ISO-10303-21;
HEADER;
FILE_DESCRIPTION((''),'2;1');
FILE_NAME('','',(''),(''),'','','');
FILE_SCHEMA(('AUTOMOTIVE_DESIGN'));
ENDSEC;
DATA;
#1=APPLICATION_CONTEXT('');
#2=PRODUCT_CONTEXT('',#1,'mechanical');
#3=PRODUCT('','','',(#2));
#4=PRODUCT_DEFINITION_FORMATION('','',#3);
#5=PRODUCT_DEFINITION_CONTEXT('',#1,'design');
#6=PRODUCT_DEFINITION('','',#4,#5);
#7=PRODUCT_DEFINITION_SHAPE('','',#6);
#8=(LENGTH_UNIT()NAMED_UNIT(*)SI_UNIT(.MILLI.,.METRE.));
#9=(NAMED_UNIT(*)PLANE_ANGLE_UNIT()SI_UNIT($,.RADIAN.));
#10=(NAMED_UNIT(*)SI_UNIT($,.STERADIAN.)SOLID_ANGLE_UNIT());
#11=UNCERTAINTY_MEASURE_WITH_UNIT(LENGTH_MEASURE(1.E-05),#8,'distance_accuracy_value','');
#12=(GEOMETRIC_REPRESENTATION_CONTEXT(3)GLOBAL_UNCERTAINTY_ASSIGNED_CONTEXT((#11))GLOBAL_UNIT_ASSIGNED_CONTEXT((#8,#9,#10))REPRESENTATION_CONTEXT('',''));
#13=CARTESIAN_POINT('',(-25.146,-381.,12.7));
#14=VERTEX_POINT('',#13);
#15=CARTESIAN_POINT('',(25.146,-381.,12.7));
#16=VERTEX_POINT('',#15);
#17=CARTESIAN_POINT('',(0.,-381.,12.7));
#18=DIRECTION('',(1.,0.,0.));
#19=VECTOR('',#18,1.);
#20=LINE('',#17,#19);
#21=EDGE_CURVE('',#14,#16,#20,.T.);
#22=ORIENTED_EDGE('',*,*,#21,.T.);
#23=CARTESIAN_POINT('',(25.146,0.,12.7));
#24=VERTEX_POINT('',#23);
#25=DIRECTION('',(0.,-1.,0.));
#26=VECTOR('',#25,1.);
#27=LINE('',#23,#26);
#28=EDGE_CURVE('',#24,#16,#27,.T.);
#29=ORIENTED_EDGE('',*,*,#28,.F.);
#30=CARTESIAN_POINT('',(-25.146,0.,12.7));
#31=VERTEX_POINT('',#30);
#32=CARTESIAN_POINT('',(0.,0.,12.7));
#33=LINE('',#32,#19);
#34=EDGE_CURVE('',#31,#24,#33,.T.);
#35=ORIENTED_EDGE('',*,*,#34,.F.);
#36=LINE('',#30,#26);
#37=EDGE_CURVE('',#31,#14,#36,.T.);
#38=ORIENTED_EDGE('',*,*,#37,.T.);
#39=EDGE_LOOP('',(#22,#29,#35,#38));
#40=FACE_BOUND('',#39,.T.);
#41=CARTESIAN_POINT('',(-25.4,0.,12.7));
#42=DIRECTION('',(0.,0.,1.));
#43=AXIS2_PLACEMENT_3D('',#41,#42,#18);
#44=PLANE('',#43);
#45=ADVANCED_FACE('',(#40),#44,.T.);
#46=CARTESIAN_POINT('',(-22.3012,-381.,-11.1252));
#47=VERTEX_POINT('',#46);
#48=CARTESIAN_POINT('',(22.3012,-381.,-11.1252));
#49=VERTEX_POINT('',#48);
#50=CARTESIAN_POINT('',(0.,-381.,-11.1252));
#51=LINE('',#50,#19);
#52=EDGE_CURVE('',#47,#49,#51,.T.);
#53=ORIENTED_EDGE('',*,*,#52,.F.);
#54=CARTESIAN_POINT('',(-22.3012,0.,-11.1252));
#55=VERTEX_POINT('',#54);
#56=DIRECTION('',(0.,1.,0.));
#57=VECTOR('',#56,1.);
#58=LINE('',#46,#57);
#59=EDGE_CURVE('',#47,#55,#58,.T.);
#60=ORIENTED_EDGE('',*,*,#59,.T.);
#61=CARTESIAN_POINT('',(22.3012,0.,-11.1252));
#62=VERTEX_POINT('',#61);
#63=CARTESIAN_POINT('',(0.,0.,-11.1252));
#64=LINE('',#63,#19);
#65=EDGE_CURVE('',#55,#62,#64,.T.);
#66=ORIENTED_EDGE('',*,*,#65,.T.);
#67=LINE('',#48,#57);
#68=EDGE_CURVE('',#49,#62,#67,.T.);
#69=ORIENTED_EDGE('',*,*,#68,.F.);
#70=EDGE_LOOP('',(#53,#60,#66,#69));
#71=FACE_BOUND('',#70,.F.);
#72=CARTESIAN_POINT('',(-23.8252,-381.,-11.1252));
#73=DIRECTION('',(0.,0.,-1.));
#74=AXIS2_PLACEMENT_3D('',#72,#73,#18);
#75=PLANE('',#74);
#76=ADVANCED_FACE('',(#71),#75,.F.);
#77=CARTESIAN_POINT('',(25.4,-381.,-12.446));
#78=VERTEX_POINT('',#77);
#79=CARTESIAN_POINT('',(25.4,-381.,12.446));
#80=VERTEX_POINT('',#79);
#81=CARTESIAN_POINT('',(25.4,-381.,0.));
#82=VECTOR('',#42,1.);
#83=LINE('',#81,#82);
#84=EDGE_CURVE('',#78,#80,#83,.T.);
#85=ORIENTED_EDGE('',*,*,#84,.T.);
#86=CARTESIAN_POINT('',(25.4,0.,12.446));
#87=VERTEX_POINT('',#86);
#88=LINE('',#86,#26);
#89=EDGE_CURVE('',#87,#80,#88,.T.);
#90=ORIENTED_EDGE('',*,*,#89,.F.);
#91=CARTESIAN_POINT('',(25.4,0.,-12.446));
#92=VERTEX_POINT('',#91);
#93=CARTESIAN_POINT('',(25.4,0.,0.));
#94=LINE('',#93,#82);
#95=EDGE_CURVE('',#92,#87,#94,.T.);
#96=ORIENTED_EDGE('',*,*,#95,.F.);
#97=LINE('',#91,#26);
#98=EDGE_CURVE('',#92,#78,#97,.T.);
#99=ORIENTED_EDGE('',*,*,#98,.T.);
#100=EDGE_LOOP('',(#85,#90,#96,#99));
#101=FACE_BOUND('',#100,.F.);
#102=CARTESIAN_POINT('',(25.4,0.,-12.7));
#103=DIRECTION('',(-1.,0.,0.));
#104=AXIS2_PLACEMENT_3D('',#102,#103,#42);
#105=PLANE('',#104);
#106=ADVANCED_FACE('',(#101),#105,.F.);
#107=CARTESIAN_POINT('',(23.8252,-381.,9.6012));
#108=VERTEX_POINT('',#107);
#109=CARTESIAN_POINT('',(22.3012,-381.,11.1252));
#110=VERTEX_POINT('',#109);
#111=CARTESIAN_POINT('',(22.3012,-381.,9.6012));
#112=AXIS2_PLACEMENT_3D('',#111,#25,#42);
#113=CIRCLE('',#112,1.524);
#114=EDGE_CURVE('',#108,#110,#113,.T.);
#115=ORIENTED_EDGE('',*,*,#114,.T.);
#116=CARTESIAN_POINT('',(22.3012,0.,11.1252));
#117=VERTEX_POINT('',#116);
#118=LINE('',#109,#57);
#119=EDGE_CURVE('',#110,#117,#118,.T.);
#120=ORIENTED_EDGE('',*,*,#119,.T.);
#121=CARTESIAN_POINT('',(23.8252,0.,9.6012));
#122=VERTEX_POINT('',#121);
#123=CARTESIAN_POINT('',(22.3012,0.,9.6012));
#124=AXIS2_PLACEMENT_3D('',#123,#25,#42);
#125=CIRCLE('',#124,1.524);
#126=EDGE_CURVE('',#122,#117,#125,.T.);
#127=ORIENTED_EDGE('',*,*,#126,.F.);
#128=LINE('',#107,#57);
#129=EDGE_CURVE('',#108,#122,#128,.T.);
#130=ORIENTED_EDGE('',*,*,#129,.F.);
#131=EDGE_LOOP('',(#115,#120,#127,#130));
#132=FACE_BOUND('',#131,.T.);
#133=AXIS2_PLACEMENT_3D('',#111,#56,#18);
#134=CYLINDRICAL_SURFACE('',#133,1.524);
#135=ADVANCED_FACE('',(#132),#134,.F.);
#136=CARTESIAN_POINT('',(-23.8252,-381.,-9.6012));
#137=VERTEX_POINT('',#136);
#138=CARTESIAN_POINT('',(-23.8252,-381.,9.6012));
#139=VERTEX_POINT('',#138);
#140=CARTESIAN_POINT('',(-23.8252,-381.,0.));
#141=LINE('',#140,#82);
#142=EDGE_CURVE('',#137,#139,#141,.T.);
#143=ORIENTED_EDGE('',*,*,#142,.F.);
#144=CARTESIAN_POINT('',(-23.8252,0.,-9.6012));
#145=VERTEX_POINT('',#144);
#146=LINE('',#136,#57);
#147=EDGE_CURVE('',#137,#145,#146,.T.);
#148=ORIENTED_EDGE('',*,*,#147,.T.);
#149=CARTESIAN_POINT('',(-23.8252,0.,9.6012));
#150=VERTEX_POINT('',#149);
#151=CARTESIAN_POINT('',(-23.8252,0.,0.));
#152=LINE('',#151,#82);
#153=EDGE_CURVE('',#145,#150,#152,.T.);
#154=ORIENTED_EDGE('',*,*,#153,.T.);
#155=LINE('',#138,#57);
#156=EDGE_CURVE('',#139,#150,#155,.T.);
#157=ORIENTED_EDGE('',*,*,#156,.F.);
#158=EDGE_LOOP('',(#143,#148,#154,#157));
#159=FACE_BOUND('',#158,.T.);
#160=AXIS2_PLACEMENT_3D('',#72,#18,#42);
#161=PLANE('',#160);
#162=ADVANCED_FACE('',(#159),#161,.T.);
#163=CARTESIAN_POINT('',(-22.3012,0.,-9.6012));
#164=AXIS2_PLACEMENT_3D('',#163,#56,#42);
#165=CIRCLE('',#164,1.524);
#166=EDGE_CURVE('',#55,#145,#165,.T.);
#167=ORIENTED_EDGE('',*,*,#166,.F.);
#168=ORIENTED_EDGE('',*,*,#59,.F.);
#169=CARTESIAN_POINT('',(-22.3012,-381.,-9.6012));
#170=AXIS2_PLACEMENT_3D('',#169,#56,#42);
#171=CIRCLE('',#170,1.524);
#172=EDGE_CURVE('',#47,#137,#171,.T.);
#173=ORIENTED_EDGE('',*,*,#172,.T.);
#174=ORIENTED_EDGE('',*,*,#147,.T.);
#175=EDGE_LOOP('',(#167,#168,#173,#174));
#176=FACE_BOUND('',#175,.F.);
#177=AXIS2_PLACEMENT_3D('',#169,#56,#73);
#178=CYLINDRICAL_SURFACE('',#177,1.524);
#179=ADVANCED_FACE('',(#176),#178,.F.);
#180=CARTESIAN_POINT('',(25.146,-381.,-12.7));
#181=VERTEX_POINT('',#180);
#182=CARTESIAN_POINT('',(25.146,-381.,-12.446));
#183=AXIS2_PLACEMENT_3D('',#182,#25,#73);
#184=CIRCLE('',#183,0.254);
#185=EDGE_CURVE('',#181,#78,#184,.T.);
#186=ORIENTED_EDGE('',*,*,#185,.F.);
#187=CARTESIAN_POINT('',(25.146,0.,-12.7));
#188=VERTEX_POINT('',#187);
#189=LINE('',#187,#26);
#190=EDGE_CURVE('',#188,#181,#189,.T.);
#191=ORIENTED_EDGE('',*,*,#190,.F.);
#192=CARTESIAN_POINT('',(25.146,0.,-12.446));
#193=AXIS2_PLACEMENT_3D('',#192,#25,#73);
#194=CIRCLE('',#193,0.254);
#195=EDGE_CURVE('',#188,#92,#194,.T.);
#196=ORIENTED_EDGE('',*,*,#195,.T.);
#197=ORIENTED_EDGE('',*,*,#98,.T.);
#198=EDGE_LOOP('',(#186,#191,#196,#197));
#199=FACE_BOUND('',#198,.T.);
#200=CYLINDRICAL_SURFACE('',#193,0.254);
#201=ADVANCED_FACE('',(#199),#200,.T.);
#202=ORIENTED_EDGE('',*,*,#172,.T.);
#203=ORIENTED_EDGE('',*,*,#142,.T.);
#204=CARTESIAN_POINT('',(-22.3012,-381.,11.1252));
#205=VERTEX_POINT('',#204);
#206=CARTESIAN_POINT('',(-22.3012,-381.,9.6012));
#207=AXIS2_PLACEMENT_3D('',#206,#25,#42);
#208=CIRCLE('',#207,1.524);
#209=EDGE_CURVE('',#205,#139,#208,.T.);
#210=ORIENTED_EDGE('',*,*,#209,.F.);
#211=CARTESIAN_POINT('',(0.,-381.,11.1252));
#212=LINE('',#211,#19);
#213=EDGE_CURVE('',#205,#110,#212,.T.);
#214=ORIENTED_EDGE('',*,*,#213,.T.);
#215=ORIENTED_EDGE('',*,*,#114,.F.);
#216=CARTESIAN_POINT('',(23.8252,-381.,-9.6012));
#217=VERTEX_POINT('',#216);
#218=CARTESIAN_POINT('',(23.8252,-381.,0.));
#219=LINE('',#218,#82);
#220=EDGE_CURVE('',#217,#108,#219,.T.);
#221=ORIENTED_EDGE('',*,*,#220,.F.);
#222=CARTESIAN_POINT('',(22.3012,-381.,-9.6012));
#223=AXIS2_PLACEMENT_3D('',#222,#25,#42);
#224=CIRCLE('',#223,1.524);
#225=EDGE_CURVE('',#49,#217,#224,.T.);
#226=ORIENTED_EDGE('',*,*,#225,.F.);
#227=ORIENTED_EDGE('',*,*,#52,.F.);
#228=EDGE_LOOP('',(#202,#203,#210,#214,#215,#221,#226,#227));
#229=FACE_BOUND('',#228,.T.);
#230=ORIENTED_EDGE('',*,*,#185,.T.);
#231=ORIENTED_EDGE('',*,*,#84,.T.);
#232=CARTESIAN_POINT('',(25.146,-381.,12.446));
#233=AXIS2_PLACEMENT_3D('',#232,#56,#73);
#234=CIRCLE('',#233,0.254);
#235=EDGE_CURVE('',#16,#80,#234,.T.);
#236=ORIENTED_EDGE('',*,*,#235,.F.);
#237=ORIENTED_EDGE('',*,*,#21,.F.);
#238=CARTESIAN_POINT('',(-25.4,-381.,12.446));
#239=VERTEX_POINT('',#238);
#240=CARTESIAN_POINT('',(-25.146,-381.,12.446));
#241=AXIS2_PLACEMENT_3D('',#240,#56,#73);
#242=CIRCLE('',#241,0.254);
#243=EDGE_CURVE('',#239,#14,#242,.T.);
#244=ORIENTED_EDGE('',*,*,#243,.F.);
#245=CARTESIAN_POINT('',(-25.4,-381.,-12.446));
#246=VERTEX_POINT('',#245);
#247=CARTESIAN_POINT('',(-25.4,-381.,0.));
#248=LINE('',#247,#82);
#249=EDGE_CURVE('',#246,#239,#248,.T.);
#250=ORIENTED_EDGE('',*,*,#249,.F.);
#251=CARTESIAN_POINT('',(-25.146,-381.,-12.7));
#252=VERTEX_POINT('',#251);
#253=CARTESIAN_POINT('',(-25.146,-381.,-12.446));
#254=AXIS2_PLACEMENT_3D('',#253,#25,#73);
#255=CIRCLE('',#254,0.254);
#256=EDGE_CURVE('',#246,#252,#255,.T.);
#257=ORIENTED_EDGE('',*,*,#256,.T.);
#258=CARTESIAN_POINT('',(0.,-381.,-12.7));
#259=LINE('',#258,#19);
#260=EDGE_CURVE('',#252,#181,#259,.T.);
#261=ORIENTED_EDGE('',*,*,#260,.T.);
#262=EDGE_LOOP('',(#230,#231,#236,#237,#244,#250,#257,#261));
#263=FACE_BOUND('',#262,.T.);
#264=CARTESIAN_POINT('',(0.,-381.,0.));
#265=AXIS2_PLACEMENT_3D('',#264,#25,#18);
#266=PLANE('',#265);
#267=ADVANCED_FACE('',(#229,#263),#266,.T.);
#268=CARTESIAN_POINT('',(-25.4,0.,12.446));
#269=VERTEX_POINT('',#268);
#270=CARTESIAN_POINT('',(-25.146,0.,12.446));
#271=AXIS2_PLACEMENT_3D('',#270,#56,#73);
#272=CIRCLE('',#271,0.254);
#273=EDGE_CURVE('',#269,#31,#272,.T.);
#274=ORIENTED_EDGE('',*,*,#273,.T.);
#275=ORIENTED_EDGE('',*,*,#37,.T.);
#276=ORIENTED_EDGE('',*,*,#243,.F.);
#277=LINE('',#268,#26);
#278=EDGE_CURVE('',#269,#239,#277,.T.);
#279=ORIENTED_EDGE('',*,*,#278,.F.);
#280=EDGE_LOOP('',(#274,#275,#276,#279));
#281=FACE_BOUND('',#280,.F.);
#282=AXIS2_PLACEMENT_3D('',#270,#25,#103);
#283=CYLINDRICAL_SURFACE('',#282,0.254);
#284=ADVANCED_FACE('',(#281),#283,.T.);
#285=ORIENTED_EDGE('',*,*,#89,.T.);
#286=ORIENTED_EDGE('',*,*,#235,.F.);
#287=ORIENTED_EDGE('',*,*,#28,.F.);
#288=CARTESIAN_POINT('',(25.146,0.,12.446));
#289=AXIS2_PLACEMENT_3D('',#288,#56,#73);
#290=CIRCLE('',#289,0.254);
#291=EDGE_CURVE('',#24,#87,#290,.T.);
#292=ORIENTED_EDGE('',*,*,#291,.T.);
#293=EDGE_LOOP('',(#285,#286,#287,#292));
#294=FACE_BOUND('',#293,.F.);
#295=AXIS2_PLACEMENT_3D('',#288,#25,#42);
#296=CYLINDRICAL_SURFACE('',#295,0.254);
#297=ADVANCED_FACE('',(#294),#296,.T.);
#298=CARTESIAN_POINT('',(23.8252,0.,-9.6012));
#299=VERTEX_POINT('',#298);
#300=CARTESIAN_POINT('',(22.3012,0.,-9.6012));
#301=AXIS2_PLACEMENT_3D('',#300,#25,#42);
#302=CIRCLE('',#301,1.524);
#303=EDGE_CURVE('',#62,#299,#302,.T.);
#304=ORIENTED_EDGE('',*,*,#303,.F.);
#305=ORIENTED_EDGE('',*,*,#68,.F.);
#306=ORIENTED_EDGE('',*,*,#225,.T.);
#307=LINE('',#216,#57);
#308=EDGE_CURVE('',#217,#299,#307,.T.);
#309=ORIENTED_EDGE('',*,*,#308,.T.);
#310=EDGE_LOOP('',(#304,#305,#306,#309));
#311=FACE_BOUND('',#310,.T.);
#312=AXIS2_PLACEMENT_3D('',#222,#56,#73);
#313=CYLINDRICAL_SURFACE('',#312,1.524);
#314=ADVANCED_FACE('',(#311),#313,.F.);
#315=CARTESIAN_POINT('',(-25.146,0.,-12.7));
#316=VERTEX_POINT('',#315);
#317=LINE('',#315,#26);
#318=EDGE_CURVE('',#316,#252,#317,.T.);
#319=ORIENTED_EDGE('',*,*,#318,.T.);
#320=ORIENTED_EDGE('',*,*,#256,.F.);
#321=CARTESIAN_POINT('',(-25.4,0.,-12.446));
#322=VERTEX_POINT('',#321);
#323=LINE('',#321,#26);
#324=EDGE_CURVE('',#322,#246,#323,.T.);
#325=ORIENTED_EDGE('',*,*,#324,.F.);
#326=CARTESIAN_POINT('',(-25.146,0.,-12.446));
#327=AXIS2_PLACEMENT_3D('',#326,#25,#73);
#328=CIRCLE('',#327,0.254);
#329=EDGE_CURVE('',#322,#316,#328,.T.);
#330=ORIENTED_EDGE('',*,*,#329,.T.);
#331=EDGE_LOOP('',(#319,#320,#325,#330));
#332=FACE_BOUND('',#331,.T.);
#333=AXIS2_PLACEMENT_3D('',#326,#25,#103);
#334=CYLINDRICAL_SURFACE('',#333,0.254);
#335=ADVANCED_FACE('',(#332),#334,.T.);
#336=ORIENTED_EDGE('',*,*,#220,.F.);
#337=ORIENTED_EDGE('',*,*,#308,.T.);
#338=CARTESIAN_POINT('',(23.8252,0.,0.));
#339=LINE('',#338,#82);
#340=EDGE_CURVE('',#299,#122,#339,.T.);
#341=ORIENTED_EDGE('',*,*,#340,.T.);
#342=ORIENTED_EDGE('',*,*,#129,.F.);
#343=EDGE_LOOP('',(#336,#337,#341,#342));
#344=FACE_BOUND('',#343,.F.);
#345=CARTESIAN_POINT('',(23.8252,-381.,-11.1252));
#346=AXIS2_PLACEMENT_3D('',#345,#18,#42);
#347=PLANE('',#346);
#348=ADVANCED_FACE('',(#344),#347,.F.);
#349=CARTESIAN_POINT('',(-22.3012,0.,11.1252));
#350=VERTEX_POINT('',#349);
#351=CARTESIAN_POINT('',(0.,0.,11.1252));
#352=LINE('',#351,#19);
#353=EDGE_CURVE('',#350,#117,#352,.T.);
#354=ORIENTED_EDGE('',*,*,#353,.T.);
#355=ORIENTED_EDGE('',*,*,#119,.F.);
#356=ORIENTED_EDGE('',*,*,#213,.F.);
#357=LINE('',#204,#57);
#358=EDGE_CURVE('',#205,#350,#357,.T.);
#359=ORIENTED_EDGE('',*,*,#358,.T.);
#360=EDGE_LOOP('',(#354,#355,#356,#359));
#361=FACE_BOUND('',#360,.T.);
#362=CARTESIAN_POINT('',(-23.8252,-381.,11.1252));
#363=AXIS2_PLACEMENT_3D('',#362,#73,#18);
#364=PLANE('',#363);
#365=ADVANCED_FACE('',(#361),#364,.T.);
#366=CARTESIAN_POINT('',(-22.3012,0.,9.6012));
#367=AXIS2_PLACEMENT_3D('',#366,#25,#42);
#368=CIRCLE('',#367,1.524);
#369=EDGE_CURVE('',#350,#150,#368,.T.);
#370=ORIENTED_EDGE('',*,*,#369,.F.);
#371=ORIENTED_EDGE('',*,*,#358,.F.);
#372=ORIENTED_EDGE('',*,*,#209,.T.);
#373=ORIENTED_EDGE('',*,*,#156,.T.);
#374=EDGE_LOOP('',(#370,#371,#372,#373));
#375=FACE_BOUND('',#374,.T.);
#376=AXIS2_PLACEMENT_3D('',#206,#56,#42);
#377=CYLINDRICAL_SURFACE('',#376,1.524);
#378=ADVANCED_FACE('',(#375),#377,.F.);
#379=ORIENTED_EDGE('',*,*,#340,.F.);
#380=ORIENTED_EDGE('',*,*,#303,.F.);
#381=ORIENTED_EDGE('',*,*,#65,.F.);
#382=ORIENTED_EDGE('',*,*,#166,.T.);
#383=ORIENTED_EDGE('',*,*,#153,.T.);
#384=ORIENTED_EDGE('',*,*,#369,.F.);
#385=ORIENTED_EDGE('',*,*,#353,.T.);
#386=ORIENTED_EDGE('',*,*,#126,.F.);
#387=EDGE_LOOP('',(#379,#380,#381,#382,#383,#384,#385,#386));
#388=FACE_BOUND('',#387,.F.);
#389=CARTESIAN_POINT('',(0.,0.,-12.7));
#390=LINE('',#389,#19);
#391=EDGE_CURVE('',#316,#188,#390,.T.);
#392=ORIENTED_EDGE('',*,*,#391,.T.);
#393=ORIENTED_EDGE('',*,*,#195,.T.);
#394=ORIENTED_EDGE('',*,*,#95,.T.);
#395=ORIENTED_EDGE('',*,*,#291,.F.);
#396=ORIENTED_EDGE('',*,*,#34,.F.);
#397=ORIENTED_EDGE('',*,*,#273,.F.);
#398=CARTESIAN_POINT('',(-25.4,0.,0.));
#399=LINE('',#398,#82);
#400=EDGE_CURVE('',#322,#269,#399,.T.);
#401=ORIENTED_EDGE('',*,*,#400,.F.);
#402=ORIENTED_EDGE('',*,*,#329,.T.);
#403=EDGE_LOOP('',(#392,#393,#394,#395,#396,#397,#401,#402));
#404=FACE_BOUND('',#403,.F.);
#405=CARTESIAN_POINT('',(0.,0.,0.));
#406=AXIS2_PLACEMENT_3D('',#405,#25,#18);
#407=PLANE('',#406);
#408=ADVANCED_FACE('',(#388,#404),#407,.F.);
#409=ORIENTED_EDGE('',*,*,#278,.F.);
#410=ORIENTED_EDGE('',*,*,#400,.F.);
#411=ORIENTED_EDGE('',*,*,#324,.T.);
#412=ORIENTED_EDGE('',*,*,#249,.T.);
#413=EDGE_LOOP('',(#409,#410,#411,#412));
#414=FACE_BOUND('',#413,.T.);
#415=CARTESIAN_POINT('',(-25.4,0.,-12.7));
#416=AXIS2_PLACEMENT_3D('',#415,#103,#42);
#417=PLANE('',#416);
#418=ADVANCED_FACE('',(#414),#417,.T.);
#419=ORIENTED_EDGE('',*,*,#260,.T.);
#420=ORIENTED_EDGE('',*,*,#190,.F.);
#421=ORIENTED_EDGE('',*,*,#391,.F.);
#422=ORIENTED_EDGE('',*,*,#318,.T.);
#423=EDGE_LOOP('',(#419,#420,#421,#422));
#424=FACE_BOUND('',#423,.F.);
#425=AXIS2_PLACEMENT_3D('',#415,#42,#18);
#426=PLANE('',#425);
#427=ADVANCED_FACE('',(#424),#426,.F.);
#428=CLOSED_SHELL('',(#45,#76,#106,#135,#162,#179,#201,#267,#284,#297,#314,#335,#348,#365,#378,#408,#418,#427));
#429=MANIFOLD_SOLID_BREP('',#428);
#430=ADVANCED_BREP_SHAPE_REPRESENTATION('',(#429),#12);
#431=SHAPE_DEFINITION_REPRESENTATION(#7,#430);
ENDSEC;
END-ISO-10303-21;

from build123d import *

# Parameters (mm, degrees)
F0_W     = 50.8
F0_H     = 25.4
F1_DEPTH = 381
F2_W     = 47.6504
F2_H     = 22.2504
F3_DEPTH = 381
F4_R     = 1.524
F5_R     = 0.254


with BuildPart() as f1:
    # F0 (on Front) → F1 (new body)
    with BuildSketch(Plane.XZ):
        Rectangle(F0_W, F0_H)
    extrude(amount=F1_DEPTH)

    # F2 (on face) → F3 (cut, through all)
    with BuildSketch(Plane.XZ.offset(381)):
        Rectangle(F2_W, F2_H)
    extrude(amount=-F3_DEPTH, mode=Mode.SUBTRACT)

    # F4
    f4_edges = [f1.edges().sort_by_distance(p)[0] for p in [
        (23.8252, -190.5, -11.1252),
        (23.8252, -190.5, 11.1252),
        (-23.8252, -190.5, -11.1252),
        (-23.8252, -190.5, 11.1252),
    ]]
    fillet(f4_edges, radius=F4_R)

    # F5
    f5_edges = [f1.edges().sort_by_distance(p)[0] for p in [
        (-25.4, -190.5, 12.7),
        (25.4, -190.5, 12.7),
        (25.4, -190.5, -12.7),
        (-25.4, -190.5, -12.7),
    ]]
    fillet(f5_edges, radius=F5_R)


solid = f1.part
